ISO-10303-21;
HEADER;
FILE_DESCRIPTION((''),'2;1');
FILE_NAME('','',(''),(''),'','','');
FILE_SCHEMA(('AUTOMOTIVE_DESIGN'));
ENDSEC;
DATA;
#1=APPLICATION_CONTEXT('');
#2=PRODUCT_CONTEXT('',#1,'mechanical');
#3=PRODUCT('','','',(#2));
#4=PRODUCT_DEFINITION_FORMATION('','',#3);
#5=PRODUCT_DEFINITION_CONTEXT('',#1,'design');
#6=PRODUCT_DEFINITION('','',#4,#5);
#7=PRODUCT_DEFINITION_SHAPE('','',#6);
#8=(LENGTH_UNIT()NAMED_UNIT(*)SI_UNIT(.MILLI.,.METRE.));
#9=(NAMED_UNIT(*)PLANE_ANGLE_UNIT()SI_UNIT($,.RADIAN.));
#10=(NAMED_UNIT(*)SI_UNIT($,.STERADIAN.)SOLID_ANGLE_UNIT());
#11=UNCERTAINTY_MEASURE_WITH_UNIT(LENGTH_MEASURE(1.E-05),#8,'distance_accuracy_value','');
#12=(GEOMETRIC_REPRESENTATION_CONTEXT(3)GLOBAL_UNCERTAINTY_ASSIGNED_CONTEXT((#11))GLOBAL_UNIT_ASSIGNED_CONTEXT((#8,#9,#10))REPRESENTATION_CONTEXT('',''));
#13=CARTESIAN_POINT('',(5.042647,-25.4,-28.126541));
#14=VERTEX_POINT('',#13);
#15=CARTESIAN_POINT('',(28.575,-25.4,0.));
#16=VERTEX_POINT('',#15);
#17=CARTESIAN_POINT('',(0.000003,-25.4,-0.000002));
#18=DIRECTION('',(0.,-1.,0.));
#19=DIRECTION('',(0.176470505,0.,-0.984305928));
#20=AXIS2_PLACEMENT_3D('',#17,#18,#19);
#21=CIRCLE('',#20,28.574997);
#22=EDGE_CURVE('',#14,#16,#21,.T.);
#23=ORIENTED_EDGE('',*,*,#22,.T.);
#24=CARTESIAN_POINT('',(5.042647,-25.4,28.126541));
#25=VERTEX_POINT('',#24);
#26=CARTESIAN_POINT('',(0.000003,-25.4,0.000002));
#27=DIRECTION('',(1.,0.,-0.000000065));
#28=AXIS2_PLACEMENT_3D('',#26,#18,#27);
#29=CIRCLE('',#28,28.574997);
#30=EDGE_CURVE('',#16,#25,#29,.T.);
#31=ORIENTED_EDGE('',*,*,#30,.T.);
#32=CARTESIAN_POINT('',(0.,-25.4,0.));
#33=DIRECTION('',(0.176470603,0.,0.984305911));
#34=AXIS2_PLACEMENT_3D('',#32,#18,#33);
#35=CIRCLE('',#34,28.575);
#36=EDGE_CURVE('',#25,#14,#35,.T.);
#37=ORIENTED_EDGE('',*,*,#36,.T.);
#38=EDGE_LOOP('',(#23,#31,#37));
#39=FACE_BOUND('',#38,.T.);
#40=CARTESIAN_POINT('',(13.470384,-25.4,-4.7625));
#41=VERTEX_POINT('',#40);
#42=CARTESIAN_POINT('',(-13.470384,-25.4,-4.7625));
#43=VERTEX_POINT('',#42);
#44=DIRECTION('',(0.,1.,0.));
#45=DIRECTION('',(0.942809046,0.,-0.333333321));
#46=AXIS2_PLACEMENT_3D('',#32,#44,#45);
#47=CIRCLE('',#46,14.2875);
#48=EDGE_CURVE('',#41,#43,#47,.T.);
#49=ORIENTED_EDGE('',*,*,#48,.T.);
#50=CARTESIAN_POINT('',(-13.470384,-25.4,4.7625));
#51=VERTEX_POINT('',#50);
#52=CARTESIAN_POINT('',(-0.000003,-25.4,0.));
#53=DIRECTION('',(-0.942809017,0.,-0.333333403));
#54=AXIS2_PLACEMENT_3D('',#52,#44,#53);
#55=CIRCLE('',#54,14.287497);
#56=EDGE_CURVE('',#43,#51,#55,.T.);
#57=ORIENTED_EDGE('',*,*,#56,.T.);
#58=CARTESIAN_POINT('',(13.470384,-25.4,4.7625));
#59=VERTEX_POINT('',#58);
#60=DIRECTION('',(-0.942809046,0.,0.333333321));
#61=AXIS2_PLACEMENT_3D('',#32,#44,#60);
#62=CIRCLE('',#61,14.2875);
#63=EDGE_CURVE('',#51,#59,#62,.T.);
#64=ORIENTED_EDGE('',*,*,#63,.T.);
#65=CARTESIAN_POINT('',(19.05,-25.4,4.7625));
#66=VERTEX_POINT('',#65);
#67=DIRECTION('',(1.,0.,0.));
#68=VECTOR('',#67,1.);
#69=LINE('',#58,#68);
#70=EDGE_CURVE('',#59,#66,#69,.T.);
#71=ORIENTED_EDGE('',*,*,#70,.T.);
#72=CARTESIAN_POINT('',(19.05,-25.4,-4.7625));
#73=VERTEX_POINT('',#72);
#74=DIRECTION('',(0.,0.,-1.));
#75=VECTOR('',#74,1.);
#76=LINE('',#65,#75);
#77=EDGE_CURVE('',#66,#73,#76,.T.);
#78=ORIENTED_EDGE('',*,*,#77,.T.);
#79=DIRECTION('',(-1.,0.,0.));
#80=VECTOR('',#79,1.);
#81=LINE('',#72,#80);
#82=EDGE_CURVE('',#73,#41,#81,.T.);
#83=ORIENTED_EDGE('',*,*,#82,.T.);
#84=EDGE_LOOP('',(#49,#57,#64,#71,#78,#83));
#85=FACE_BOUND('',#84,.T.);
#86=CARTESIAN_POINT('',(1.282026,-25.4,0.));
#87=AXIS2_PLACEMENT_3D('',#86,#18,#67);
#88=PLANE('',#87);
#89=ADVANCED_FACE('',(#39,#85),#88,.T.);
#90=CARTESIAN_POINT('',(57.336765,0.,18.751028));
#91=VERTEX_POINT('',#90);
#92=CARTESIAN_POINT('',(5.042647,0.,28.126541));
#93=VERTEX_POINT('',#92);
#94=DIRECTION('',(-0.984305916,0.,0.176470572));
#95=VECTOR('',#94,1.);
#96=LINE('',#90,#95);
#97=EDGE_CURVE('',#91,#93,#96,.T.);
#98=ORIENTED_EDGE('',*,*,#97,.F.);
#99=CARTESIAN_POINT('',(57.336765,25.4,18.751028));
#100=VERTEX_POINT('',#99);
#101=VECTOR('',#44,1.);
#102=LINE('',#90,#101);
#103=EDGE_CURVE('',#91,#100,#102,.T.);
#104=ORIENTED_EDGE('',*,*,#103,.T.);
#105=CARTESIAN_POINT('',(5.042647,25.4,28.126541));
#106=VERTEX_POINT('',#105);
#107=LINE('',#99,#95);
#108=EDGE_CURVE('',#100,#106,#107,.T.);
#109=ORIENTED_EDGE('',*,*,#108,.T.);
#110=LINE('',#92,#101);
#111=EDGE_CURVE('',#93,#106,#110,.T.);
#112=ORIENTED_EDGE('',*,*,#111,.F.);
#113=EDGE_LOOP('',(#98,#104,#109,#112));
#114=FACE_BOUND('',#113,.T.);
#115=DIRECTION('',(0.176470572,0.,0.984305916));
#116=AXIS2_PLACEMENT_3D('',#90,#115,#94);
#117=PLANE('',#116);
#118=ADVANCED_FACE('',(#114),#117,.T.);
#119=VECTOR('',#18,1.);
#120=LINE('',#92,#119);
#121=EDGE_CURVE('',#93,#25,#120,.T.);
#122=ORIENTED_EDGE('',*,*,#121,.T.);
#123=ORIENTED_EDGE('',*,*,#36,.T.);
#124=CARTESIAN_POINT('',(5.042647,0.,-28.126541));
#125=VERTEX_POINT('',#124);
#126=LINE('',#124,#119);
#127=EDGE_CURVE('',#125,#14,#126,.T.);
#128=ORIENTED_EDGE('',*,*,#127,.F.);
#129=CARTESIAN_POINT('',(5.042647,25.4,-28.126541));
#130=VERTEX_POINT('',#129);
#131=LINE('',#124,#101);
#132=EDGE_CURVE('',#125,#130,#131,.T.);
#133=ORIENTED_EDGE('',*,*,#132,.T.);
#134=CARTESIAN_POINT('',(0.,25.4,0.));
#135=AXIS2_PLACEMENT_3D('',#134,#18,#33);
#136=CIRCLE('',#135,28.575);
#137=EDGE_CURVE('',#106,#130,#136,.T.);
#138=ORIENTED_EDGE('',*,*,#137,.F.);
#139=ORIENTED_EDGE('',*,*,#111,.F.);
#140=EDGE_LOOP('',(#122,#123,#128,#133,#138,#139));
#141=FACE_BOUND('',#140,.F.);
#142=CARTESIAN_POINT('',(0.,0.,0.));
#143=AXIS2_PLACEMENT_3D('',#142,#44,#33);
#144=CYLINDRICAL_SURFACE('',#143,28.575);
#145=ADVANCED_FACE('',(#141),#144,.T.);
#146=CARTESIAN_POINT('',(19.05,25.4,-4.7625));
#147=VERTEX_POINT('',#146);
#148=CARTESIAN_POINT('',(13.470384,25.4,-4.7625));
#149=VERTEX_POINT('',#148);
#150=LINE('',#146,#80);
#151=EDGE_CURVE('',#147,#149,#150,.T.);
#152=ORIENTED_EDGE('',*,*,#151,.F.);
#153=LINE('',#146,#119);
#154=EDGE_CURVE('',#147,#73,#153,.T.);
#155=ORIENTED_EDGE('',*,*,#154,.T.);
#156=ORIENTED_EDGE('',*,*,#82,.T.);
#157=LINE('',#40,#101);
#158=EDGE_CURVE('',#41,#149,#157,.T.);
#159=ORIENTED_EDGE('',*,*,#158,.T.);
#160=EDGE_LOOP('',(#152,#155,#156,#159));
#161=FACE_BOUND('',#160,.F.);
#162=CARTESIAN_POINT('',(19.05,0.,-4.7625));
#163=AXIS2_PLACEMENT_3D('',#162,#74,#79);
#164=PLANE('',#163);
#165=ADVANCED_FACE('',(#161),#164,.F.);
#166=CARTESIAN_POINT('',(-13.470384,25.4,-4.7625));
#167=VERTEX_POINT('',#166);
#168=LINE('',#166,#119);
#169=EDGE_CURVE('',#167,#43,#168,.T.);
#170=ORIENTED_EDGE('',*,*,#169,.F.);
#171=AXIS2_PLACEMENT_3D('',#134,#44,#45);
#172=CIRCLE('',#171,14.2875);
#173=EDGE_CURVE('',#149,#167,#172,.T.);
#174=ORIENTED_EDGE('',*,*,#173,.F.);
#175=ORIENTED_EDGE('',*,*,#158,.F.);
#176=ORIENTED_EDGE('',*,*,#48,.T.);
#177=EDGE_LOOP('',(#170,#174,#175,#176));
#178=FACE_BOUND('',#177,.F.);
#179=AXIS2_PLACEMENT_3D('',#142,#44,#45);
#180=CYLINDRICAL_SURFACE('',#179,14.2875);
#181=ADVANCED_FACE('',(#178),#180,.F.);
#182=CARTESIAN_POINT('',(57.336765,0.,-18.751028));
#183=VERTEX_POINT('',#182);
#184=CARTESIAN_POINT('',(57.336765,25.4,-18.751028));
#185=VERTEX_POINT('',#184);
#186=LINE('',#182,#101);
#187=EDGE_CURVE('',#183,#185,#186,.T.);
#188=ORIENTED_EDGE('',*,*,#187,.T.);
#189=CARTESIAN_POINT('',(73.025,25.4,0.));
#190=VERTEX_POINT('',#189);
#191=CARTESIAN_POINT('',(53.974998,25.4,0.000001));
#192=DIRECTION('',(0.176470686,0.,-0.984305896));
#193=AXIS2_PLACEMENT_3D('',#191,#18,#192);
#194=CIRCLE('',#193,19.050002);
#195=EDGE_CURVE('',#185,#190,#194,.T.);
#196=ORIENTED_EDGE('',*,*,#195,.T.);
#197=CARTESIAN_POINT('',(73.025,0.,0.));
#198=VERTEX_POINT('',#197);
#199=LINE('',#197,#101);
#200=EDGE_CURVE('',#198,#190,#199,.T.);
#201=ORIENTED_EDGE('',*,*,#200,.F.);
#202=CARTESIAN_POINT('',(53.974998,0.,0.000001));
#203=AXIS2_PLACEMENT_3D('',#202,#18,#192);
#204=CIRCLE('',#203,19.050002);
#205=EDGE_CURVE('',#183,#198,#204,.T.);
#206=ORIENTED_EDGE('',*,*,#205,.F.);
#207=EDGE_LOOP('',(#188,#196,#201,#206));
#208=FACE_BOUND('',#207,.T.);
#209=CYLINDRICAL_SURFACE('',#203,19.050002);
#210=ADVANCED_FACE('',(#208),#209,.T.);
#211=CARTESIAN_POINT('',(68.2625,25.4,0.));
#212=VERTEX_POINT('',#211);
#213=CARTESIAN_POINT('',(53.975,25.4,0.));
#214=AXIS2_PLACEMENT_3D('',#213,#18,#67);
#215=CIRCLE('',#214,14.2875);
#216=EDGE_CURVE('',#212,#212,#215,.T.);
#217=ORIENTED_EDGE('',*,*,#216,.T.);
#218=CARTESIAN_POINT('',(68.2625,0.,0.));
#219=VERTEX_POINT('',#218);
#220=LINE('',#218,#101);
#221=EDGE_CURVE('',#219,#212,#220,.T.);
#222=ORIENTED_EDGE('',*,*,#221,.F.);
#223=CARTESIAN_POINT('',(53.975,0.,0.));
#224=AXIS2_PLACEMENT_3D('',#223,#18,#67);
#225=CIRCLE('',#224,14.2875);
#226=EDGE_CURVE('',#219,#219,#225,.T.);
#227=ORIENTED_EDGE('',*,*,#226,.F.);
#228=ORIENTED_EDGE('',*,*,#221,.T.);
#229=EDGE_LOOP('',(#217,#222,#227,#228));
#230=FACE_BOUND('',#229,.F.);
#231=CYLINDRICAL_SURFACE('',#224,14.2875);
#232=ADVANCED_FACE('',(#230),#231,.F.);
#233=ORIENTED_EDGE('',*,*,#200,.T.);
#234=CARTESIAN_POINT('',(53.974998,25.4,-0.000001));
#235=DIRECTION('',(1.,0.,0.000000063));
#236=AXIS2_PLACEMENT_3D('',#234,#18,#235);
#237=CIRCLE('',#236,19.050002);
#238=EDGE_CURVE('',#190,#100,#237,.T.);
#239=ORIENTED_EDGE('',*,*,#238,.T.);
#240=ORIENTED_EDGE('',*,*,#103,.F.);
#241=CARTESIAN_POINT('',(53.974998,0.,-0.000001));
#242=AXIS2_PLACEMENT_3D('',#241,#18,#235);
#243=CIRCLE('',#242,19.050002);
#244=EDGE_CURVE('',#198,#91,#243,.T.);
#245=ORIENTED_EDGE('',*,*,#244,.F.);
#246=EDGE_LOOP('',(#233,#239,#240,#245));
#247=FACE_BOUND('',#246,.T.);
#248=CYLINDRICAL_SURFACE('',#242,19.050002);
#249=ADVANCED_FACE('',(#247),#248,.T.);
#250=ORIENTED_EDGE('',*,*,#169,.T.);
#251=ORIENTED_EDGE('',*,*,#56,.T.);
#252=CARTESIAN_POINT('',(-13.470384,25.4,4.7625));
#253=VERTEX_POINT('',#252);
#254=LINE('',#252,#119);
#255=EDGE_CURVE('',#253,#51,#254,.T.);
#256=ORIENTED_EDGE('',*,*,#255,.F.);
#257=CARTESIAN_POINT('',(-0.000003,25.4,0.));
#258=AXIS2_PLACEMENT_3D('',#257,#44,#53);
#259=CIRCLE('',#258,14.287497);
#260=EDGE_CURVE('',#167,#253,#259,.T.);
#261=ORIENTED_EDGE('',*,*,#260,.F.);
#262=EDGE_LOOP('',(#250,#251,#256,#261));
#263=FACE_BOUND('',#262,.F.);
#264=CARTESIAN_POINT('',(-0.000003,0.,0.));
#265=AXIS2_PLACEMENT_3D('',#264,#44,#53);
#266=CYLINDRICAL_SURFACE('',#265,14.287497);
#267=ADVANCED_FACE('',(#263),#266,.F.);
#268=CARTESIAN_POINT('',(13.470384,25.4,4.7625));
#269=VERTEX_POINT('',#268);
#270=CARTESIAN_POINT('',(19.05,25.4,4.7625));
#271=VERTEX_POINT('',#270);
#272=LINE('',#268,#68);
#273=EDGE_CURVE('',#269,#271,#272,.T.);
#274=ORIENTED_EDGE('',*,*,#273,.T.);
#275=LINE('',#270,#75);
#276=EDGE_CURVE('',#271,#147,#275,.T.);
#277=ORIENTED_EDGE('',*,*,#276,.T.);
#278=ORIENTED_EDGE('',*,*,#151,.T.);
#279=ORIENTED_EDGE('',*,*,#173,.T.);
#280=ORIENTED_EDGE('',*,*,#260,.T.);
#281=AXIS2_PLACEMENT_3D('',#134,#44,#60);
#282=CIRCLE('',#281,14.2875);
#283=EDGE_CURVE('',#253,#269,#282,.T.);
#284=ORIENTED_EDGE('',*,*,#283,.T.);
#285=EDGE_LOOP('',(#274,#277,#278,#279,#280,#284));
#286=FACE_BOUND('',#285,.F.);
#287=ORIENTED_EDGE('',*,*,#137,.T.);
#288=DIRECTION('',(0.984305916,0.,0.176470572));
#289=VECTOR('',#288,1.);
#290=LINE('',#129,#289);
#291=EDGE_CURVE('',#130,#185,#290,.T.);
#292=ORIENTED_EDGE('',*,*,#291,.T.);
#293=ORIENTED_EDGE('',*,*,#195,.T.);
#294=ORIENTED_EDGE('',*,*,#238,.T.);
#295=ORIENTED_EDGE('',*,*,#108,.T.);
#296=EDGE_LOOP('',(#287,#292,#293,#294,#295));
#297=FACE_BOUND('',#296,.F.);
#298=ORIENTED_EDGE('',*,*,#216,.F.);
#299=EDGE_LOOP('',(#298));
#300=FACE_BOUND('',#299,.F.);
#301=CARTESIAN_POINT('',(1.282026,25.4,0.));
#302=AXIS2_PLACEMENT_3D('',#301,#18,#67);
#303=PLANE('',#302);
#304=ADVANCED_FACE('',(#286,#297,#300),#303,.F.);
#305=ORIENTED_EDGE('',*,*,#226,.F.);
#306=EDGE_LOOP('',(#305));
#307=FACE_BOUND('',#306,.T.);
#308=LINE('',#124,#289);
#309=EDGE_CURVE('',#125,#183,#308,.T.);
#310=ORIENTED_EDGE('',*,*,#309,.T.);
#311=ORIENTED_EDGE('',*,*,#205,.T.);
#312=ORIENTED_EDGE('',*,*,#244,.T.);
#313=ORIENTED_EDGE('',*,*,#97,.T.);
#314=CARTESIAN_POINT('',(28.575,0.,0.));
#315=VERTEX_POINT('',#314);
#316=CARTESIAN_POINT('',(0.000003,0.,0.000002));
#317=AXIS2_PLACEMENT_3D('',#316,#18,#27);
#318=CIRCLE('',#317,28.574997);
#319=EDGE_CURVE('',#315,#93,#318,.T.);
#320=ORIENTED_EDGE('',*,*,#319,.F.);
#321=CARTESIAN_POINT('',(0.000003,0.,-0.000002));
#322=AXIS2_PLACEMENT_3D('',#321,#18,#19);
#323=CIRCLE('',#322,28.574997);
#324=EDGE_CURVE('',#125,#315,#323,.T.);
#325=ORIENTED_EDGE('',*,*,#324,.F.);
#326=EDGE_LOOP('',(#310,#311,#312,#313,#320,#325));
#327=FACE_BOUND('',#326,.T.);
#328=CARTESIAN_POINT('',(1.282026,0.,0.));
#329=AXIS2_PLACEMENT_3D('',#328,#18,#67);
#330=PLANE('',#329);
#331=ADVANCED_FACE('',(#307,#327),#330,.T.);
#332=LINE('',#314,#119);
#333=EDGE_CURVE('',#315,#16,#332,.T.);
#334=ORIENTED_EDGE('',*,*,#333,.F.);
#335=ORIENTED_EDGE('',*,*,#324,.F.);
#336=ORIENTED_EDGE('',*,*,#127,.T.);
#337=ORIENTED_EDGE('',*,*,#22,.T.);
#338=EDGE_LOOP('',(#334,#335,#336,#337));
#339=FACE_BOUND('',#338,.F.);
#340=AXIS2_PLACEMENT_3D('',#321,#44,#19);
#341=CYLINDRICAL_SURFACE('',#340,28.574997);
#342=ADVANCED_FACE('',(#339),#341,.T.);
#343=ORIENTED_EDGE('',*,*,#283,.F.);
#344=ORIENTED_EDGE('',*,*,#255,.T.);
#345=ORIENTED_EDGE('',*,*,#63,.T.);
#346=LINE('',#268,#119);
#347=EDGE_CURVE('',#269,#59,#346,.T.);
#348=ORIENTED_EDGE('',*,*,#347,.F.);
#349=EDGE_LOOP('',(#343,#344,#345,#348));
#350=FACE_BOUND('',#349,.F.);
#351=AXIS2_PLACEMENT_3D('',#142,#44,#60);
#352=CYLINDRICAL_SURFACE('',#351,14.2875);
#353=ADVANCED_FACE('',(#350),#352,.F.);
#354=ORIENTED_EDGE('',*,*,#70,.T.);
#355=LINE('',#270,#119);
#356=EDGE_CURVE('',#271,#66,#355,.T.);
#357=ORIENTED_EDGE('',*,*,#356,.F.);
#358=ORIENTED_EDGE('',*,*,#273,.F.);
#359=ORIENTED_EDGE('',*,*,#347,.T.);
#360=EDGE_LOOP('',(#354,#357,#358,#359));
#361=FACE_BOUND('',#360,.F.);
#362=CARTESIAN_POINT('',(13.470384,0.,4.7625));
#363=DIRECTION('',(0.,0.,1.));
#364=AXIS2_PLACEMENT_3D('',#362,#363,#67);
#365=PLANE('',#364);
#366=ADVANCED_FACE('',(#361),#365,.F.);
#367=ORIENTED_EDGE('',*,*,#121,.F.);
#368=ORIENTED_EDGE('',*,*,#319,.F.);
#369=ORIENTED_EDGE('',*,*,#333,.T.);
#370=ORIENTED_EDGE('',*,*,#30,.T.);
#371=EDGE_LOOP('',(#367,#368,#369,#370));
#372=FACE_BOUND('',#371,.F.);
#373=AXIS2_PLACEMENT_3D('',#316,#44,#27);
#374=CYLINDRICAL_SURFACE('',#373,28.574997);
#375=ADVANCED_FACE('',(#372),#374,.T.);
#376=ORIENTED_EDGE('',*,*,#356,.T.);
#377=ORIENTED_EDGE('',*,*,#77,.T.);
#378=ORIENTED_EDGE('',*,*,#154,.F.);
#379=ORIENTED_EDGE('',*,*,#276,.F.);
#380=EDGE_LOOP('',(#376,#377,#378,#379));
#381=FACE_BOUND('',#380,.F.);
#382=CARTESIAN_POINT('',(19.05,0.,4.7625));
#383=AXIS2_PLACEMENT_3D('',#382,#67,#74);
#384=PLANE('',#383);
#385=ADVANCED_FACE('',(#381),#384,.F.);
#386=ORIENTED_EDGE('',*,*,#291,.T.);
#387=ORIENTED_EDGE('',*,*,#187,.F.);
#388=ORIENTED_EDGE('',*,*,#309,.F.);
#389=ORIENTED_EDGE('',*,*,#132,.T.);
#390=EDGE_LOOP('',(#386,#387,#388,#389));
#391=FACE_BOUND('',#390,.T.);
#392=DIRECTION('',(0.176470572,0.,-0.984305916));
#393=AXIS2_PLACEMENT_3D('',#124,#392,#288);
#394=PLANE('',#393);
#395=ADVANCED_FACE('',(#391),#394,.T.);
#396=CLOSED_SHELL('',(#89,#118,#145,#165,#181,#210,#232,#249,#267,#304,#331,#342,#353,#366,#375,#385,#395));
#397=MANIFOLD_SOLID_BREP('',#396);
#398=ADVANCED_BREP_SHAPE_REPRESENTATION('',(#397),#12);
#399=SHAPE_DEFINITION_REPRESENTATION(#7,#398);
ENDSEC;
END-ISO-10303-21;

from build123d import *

# Parameters (mm, degrees)
F0_R     = 14.2875
F1_DEPTH = 25.4
F2_DEPTH = 25.4


with BuildPart() as f1:
    # F0 (on Front) → F1 (new body)
    with BuildSketch(Plane.XZ):
        with BuildLine():
            ThreePointArc((5.042647, -28.126541), (21.916025, -18.336262), (28.575, 0))
            ThreePointArc((28.575, 0), (21.916025, 18.336262), (5.042647, 28.126541))
            ThreePointArc((5.042647, 28.126541), (-28.575, 0), (5.042647, -28.126541))
        make_face()
        with BuildLine():
            ThreePointArc((-13.470384, 4.7625), (0, 14.2875), (13.470384, 4.7625))
            Line((13.470384, 4.7625), (19.05, 4.7625))
            Line((19.05, 4.7625), (19.05, -4.7625))
            Line((19.05, -4.7625), (13.470384, -4.7625))
            ThreePointArc((13.470384, -4.7625), (0, -14.2875), (-13.470384, -4.7625))
            Line((-13.470384, -4.7625), (-19.05, -4.7625))
            Line((-19.05, -4.7625), (-19.05, 4.7625))
            Line((-19.05, 4.7625), (-13.470384, 4.7625))
        make_face(mode=Mode.SUBTRACT)
        with BuildLine():
            ThreePointArc((-13.470384, -4.7625), (-14.2875, 0), (-13.470384, 4.7625))
            Line((-13.470384, 4.7625), (-19.05, 4.7625))
            Line((-19.05, 4.7625), (-19.05, -4.7625))
            Line((-19.05, -4.7625), (-13.470384, -4.7625))
        make_face()
        with BuildLine():
            ThreePointArc((5.042647, 28.126541), (21.916025, 18.336262), (28.575, 0))
            ThreePointArc((28.575, 0), (21.916025, -18.336262), (5.042647, -28.126541))
            Line((5.042647, -28.126541), (57.336765, -18.751028))
            ThreePointArc((57.336765, -18.751028), (34.925, 0), (57.336765, 18.751028))
            Line((57.336765, 18.751028), (5.042647, 28.126541))
        make_face()
        with BuildLine():
            ThreePointArc((73.025, 0), (68.585683, 12.224174), (57.336765, 18.751028))
            ThreePointArc((57.336765, 18.751028), (34.925, 0), (57.336765, -18.751028))
            ThreePointArc((57.336765, -18.751028), (68.585683, -12.224174), (73.025, 0))
        make_face()
        with Locations((53.975, 0)):
            Circle(F0_R, mode=Mode.SUBTRACT)
    extrude(amount=-F1_DEPTH)

    # F0 (on Front) → F2 (join)
    with BuildSketch(Plane.XZ):
        with BuildLine():
            ThreePointArc((5.042647, -28.126541), (21.916025, -18.336262), (28.575, 0))
            ThreePointArc((28.575, 0), (21.916025, 18.336262), (5.042647, 28.126541))
            ThreePointArc((5.042647, 28.126541), (-28.575, 0), (5.042647, -28.126541))
        make_face()
        with BuildLine():
            ThreePointArc((-13.470384, 4.7625), (0, 14.2875), (13.470384, 4.7625))
            Line((13.470384, 4.7625), (19.05, 4.7625))
            Line((19.05, 4.7625), (19.05, -4.7625))
            Line((19.05, -4.7625), (13.470384, -4.7625))
            ThreePointArc((13.470384, -4.7625), (0, -14.2875), (-13.470384, -4.7625))
            Line((-13.470384, -4.7625), (-19.05, -4.7625))
            Line((-19.05, -4.7625), (-19.05, 4.7625))
            Line((-19.05, 4.7625), (-13.470384, 4.7625))
        make_face(mode=Mode.SUBTRACT)
        with BuildLine():
            ThreePointArc((-13.470384, -4.7625), (-14.2875, 0), (-13.470384, 4.7625))
            Line((-13.470384, 4.7625), (-19.05, 4.7625))
            Line((-19.05, 4.7625), (-19.05, -4.7625))
            Line((-19.05, -4.7625), (-13.470384, -4.7625))
        make_face()
    extrude(amount=F2_DEPTH)


solid = f1.part
